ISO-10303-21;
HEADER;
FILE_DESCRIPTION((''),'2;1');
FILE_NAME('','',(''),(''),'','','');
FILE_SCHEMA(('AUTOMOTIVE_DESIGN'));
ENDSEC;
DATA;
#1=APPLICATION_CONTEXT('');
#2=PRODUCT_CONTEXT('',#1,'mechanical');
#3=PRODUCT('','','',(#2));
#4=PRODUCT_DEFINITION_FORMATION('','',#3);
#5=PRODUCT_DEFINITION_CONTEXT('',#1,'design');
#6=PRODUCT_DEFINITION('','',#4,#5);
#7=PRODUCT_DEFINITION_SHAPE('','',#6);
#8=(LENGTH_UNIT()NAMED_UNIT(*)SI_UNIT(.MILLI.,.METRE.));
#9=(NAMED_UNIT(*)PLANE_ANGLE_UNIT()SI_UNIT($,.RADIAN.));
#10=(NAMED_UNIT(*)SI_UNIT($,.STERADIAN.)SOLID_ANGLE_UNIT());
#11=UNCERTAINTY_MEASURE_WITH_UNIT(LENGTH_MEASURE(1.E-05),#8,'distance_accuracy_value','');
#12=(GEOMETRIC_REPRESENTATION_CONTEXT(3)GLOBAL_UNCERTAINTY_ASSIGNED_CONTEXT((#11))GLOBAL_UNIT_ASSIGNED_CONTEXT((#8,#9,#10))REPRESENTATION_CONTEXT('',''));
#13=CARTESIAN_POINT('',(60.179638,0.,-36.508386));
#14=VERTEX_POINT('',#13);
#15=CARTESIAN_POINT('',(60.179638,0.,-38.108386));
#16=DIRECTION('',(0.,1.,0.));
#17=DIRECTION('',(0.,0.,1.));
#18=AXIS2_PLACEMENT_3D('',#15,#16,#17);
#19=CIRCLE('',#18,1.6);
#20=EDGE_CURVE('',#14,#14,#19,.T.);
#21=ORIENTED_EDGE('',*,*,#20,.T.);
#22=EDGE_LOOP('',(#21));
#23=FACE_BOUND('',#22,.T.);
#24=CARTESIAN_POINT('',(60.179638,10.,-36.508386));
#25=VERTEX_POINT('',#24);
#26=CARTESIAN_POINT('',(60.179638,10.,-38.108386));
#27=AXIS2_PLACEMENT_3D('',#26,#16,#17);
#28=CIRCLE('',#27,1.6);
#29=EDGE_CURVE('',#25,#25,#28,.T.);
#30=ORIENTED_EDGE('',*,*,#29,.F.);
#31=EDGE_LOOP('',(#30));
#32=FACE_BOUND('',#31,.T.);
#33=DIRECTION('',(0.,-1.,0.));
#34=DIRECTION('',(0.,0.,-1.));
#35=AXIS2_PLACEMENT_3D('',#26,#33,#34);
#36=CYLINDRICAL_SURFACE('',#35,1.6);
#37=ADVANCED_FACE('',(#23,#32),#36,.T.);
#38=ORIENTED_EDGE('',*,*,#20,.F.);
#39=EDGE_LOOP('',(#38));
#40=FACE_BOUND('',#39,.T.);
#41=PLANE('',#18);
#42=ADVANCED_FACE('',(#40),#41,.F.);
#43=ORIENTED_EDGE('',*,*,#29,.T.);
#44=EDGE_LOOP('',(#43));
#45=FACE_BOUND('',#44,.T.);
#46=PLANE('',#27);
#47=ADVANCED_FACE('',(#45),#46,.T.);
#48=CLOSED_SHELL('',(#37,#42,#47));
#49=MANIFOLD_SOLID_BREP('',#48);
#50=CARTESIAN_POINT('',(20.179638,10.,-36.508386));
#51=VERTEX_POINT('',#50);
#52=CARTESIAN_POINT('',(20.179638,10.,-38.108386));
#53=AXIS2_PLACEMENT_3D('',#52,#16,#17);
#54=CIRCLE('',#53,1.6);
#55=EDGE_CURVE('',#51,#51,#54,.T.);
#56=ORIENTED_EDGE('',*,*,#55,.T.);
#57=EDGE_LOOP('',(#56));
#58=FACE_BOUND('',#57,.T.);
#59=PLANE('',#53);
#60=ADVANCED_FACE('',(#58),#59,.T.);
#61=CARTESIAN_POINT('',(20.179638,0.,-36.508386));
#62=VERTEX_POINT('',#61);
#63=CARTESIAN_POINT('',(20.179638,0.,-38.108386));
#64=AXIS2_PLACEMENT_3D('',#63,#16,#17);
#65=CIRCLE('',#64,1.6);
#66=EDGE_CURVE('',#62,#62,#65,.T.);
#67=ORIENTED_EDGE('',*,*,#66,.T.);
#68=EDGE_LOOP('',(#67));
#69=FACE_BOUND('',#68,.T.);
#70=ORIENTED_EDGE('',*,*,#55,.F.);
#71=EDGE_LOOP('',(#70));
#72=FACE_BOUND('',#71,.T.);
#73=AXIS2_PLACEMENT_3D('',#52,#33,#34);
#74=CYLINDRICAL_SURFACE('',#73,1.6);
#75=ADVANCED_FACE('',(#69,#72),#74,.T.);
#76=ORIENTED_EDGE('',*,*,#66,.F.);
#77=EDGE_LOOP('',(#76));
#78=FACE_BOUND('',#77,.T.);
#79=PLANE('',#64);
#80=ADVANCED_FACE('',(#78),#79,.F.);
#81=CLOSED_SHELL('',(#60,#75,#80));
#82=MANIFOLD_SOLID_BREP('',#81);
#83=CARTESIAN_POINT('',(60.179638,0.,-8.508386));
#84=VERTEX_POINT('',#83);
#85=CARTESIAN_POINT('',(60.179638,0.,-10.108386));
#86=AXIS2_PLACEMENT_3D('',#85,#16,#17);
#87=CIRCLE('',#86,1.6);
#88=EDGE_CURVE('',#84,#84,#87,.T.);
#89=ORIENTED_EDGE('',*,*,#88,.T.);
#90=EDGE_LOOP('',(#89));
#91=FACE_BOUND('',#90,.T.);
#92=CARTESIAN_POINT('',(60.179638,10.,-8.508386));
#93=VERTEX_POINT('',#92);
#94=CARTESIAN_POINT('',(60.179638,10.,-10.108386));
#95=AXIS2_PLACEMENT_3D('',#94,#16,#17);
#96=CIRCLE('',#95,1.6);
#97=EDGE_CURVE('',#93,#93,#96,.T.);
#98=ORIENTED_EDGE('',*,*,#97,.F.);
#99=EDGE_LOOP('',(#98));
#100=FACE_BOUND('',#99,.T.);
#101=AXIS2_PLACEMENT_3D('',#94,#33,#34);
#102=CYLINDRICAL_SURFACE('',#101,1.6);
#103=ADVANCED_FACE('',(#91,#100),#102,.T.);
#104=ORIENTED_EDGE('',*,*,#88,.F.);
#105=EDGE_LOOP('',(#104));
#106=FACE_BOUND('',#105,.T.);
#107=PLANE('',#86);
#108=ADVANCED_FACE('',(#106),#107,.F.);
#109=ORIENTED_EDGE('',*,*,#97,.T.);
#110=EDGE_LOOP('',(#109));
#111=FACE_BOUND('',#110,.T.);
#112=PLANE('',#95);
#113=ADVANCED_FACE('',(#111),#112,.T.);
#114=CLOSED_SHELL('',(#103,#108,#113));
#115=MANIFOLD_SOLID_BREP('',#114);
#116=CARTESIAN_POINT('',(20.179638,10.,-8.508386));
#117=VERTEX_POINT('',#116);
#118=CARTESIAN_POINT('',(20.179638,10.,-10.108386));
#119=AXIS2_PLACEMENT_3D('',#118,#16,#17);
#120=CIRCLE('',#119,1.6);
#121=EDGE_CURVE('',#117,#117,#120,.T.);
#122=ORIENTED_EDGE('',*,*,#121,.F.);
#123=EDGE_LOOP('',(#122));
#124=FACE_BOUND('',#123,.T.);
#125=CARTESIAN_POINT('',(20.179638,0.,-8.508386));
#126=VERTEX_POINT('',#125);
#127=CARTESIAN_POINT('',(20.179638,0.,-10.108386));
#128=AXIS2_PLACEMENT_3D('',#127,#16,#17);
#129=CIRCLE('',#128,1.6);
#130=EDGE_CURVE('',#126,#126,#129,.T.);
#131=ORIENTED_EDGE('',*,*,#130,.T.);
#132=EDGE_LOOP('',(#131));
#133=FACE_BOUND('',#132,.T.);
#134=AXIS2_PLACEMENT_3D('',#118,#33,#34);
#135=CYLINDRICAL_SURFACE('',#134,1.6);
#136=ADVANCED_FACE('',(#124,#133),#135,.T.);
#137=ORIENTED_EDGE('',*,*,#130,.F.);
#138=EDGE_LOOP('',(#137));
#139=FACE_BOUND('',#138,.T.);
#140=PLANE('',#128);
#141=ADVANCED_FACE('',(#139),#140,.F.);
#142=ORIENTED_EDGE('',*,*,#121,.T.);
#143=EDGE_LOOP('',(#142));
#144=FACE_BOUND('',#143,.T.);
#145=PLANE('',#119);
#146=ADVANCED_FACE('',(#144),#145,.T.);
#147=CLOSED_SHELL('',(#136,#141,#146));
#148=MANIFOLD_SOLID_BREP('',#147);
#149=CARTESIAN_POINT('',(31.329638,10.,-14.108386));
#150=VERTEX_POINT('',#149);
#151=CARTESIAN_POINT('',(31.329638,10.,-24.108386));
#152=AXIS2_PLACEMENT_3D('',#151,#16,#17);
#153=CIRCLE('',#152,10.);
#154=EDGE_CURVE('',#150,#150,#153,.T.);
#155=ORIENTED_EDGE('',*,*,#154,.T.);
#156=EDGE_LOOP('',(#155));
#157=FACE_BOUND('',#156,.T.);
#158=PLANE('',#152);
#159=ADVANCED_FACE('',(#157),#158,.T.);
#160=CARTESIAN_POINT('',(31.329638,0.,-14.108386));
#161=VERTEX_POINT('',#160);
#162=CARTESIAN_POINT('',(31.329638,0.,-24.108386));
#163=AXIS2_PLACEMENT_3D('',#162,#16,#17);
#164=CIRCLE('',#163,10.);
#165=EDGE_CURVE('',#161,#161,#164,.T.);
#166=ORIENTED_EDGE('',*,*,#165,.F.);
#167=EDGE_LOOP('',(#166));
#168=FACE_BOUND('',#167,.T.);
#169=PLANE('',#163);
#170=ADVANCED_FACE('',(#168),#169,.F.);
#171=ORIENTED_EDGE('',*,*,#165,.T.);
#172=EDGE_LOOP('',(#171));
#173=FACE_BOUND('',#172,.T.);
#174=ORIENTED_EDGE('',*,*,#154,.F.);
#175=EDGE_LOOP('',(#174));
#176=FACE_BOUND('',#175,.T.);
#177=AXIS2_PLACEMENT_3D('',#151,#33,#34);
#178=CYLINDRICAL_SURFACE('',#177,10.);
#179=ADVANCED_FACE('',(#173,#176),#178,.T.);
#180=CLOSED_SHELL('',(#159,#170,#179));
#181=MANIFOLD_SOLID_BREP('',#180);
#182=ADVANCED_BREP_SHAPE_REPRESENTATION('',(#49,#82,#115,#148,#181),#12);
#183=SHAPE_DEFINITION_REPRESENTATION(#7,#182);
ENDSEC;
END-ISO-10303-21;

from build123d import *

# Parameters (mm, degrees)
SKETCH1_R             = 1.6
BOSS_EXTRUDE1_DEPTH   = 10
BOSS_EXTRUDE1_2_DEPTH = 10
BOSS_EXTRUDE1_3_DEPTH = 10
BOSS_EXTRUDE1_4_DEPTH = 10
SKETCH1_R_2           = 10
BOSS_EXTRUDE1_5_DEPTH = 10


with BuildPart() as part:
    # Sketch1 → Boss-Extrude1 (new body)
    with BuildSketch(Plane(origin=(0, 0, 0), x_dir=(1, 0, 0), z_dir=(0, 1, 0))):
        with Locations(Location((20.179637899, 38.108385802, 0), (0, 0, 270))):
            Circle(SKETCH1_R)
    extrude(amount=BOSS_EXTRUDE1_DEPTH)


with BuildPart() as body_2:
    # Sketch1 → Boss-Extrude1 2 (new body)
    with BuildSketch(Plane(origin=(0, 0, 0), x_dir=(1, 0, 0), z_dir=(0, 1, 0))):
        with Locations(Location((60.179637899, 38.108385802, 0), (0, 0, 270))):
            Circle(SKETCH1_R)
    extrude(amount=BOSS_EXTRUDE1_2_DEPTH)


with BuildPart() as body_3:
    # Sketch1 → Boss-Extrude1 3 (new body)
    with BuildSketch(Plane(origin=(0, 0, 0), x_dir=(1, 0, 0), z_dir=(0, 1, 0))):
        with Locations(Location((20.179637899, 10.108385802, 0), (0, 0, 270))):
            Circle(SKETCH1_R)
    extrude(amount=BOSS_EXTRUDE1_3_DEPTH)


with BuildPart() as body_4:
    # Sketch1 → Boss-Extrude1 4 (new body)
    with BuildSketch(Plane(origin=(0, 0, 0), x_dir=(1, 0, 0), z_dir=(0, 1, 0))):
        with Locations(Location((60.179637899, 10.108385802, 0), (0, 0, 270))):
            Circle(SKETCH1_R)
    extrude(amount=BOSS_EXTRUDE1_4_DEPTH)


with BuildPart() as body_5:
    # Sketch1 → Boss-Extrude1 5 (new body)
    with BuildSketch(Plane(origin=(0, 0, 0), x_dir=(1, 0, 0), z_dir=(0, 1, 0))):
        with Locations(Location((31.329637899, 24.108385802, 0), (0, 0, 270))):
            Circle(SKETCH1_R_2)
    extrude(amount=BOSS_EXTRUDE1_5_DEPTH)


solid = Compound([part.part, body_2.part, body_3.part, body_4.part, body_5.part])
